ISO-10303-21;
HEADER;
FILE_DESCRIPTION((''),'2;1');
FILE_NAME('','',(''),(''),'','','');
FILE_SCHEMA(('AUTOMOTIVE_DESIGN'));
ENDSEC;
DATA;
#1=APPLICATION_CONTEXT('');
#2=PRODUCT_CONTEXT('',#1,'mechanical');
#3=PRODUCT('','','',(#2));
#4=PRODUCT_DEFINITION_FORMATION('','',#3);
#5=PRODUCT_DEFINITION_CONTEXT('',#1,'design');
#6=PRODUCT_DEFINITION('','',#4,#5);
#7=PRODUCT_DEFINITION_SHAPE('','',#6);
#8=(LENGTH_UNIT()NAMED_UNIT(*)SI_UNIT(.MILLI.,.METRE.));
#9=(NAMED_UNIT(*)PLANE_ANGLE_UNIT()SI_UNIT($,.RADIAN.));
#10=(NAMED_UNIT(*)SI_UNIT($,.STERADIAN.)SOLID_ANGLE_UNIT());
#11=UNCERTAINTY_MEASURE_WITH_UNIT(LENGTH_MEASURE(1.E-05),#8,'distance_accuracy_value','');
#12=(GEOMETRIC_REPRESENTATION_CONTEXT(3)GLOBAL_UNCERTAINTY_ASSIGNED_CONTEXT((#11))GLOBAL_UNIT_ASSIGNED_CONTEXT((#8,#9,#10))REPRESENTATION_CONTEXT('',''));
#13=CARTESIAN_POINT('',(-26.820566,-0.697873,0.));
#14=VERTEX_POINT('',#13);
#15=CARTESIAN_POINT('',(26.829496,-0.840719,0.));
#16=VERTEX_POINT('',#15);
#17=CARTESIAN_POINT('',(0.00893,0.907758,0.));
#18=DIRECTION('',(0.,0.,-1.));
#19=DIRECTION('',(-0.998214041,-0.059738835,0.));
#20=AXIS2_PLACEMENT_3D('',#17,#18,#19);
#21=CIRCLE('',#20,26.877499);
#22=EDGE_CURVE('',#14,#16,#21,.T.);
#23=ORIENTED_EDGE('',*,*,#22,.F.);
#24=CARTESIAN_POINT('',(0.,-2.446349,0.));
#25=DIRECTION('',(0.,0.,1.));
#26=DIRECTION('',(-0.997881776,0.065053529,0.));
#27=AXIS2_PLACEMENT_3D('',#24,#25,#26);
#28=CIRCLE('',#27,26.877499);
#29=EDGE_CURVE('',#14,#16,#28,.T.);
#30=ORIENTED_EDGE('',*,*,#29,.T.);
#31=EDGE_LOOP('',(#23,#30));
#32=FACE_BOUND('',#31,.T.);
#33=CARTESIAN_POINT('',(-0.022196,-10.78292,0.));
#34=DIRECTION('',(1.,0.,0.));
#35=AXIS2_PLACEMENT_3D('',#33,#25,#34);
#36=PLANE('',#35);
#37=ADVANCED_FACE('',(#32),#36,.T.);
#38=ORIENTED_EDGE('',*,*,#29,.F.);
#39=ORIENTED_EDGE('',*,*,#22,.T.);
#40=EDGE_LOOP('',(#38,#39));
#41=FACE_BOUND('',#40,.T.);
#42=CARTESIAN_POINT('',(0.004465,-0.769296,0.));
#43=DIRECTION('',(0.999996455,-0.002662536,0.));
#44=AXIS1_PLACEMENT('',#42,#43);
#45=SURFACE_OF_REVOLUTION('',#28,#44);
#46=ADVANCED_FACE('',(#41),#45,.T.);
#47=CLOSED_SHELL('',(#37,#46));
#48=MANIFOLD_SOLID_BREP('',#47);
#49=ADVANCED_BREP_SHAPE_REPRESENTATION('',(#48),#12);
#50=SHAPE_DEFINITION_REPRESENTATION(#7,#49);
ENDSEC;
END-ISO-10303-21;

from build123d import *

# Parameters (mm, degrees)
F1_ANGLE = 180


with BuildPart() as f1:
    # F0 (on Top) → F1 (revolve)
    with BuildSketch(Plane.XY):
        with BuildLine():
            Line((26.8294964638, -0.8407185713), (-26.8205660043, -0.6978728695))
            ThreePointArc((-26.8205660043, -0.6978728695), (-0.0715622939, -29.3237523173), (26.8294964638, -0.8407185713))
        make_face()
    revolve(axis=Axis((0.0044652297, -0.7692957204, 0), (0.9999964554, -0.0026625355, 0)), revolution_arc=F1_ANGLE)


solid = f1.part
